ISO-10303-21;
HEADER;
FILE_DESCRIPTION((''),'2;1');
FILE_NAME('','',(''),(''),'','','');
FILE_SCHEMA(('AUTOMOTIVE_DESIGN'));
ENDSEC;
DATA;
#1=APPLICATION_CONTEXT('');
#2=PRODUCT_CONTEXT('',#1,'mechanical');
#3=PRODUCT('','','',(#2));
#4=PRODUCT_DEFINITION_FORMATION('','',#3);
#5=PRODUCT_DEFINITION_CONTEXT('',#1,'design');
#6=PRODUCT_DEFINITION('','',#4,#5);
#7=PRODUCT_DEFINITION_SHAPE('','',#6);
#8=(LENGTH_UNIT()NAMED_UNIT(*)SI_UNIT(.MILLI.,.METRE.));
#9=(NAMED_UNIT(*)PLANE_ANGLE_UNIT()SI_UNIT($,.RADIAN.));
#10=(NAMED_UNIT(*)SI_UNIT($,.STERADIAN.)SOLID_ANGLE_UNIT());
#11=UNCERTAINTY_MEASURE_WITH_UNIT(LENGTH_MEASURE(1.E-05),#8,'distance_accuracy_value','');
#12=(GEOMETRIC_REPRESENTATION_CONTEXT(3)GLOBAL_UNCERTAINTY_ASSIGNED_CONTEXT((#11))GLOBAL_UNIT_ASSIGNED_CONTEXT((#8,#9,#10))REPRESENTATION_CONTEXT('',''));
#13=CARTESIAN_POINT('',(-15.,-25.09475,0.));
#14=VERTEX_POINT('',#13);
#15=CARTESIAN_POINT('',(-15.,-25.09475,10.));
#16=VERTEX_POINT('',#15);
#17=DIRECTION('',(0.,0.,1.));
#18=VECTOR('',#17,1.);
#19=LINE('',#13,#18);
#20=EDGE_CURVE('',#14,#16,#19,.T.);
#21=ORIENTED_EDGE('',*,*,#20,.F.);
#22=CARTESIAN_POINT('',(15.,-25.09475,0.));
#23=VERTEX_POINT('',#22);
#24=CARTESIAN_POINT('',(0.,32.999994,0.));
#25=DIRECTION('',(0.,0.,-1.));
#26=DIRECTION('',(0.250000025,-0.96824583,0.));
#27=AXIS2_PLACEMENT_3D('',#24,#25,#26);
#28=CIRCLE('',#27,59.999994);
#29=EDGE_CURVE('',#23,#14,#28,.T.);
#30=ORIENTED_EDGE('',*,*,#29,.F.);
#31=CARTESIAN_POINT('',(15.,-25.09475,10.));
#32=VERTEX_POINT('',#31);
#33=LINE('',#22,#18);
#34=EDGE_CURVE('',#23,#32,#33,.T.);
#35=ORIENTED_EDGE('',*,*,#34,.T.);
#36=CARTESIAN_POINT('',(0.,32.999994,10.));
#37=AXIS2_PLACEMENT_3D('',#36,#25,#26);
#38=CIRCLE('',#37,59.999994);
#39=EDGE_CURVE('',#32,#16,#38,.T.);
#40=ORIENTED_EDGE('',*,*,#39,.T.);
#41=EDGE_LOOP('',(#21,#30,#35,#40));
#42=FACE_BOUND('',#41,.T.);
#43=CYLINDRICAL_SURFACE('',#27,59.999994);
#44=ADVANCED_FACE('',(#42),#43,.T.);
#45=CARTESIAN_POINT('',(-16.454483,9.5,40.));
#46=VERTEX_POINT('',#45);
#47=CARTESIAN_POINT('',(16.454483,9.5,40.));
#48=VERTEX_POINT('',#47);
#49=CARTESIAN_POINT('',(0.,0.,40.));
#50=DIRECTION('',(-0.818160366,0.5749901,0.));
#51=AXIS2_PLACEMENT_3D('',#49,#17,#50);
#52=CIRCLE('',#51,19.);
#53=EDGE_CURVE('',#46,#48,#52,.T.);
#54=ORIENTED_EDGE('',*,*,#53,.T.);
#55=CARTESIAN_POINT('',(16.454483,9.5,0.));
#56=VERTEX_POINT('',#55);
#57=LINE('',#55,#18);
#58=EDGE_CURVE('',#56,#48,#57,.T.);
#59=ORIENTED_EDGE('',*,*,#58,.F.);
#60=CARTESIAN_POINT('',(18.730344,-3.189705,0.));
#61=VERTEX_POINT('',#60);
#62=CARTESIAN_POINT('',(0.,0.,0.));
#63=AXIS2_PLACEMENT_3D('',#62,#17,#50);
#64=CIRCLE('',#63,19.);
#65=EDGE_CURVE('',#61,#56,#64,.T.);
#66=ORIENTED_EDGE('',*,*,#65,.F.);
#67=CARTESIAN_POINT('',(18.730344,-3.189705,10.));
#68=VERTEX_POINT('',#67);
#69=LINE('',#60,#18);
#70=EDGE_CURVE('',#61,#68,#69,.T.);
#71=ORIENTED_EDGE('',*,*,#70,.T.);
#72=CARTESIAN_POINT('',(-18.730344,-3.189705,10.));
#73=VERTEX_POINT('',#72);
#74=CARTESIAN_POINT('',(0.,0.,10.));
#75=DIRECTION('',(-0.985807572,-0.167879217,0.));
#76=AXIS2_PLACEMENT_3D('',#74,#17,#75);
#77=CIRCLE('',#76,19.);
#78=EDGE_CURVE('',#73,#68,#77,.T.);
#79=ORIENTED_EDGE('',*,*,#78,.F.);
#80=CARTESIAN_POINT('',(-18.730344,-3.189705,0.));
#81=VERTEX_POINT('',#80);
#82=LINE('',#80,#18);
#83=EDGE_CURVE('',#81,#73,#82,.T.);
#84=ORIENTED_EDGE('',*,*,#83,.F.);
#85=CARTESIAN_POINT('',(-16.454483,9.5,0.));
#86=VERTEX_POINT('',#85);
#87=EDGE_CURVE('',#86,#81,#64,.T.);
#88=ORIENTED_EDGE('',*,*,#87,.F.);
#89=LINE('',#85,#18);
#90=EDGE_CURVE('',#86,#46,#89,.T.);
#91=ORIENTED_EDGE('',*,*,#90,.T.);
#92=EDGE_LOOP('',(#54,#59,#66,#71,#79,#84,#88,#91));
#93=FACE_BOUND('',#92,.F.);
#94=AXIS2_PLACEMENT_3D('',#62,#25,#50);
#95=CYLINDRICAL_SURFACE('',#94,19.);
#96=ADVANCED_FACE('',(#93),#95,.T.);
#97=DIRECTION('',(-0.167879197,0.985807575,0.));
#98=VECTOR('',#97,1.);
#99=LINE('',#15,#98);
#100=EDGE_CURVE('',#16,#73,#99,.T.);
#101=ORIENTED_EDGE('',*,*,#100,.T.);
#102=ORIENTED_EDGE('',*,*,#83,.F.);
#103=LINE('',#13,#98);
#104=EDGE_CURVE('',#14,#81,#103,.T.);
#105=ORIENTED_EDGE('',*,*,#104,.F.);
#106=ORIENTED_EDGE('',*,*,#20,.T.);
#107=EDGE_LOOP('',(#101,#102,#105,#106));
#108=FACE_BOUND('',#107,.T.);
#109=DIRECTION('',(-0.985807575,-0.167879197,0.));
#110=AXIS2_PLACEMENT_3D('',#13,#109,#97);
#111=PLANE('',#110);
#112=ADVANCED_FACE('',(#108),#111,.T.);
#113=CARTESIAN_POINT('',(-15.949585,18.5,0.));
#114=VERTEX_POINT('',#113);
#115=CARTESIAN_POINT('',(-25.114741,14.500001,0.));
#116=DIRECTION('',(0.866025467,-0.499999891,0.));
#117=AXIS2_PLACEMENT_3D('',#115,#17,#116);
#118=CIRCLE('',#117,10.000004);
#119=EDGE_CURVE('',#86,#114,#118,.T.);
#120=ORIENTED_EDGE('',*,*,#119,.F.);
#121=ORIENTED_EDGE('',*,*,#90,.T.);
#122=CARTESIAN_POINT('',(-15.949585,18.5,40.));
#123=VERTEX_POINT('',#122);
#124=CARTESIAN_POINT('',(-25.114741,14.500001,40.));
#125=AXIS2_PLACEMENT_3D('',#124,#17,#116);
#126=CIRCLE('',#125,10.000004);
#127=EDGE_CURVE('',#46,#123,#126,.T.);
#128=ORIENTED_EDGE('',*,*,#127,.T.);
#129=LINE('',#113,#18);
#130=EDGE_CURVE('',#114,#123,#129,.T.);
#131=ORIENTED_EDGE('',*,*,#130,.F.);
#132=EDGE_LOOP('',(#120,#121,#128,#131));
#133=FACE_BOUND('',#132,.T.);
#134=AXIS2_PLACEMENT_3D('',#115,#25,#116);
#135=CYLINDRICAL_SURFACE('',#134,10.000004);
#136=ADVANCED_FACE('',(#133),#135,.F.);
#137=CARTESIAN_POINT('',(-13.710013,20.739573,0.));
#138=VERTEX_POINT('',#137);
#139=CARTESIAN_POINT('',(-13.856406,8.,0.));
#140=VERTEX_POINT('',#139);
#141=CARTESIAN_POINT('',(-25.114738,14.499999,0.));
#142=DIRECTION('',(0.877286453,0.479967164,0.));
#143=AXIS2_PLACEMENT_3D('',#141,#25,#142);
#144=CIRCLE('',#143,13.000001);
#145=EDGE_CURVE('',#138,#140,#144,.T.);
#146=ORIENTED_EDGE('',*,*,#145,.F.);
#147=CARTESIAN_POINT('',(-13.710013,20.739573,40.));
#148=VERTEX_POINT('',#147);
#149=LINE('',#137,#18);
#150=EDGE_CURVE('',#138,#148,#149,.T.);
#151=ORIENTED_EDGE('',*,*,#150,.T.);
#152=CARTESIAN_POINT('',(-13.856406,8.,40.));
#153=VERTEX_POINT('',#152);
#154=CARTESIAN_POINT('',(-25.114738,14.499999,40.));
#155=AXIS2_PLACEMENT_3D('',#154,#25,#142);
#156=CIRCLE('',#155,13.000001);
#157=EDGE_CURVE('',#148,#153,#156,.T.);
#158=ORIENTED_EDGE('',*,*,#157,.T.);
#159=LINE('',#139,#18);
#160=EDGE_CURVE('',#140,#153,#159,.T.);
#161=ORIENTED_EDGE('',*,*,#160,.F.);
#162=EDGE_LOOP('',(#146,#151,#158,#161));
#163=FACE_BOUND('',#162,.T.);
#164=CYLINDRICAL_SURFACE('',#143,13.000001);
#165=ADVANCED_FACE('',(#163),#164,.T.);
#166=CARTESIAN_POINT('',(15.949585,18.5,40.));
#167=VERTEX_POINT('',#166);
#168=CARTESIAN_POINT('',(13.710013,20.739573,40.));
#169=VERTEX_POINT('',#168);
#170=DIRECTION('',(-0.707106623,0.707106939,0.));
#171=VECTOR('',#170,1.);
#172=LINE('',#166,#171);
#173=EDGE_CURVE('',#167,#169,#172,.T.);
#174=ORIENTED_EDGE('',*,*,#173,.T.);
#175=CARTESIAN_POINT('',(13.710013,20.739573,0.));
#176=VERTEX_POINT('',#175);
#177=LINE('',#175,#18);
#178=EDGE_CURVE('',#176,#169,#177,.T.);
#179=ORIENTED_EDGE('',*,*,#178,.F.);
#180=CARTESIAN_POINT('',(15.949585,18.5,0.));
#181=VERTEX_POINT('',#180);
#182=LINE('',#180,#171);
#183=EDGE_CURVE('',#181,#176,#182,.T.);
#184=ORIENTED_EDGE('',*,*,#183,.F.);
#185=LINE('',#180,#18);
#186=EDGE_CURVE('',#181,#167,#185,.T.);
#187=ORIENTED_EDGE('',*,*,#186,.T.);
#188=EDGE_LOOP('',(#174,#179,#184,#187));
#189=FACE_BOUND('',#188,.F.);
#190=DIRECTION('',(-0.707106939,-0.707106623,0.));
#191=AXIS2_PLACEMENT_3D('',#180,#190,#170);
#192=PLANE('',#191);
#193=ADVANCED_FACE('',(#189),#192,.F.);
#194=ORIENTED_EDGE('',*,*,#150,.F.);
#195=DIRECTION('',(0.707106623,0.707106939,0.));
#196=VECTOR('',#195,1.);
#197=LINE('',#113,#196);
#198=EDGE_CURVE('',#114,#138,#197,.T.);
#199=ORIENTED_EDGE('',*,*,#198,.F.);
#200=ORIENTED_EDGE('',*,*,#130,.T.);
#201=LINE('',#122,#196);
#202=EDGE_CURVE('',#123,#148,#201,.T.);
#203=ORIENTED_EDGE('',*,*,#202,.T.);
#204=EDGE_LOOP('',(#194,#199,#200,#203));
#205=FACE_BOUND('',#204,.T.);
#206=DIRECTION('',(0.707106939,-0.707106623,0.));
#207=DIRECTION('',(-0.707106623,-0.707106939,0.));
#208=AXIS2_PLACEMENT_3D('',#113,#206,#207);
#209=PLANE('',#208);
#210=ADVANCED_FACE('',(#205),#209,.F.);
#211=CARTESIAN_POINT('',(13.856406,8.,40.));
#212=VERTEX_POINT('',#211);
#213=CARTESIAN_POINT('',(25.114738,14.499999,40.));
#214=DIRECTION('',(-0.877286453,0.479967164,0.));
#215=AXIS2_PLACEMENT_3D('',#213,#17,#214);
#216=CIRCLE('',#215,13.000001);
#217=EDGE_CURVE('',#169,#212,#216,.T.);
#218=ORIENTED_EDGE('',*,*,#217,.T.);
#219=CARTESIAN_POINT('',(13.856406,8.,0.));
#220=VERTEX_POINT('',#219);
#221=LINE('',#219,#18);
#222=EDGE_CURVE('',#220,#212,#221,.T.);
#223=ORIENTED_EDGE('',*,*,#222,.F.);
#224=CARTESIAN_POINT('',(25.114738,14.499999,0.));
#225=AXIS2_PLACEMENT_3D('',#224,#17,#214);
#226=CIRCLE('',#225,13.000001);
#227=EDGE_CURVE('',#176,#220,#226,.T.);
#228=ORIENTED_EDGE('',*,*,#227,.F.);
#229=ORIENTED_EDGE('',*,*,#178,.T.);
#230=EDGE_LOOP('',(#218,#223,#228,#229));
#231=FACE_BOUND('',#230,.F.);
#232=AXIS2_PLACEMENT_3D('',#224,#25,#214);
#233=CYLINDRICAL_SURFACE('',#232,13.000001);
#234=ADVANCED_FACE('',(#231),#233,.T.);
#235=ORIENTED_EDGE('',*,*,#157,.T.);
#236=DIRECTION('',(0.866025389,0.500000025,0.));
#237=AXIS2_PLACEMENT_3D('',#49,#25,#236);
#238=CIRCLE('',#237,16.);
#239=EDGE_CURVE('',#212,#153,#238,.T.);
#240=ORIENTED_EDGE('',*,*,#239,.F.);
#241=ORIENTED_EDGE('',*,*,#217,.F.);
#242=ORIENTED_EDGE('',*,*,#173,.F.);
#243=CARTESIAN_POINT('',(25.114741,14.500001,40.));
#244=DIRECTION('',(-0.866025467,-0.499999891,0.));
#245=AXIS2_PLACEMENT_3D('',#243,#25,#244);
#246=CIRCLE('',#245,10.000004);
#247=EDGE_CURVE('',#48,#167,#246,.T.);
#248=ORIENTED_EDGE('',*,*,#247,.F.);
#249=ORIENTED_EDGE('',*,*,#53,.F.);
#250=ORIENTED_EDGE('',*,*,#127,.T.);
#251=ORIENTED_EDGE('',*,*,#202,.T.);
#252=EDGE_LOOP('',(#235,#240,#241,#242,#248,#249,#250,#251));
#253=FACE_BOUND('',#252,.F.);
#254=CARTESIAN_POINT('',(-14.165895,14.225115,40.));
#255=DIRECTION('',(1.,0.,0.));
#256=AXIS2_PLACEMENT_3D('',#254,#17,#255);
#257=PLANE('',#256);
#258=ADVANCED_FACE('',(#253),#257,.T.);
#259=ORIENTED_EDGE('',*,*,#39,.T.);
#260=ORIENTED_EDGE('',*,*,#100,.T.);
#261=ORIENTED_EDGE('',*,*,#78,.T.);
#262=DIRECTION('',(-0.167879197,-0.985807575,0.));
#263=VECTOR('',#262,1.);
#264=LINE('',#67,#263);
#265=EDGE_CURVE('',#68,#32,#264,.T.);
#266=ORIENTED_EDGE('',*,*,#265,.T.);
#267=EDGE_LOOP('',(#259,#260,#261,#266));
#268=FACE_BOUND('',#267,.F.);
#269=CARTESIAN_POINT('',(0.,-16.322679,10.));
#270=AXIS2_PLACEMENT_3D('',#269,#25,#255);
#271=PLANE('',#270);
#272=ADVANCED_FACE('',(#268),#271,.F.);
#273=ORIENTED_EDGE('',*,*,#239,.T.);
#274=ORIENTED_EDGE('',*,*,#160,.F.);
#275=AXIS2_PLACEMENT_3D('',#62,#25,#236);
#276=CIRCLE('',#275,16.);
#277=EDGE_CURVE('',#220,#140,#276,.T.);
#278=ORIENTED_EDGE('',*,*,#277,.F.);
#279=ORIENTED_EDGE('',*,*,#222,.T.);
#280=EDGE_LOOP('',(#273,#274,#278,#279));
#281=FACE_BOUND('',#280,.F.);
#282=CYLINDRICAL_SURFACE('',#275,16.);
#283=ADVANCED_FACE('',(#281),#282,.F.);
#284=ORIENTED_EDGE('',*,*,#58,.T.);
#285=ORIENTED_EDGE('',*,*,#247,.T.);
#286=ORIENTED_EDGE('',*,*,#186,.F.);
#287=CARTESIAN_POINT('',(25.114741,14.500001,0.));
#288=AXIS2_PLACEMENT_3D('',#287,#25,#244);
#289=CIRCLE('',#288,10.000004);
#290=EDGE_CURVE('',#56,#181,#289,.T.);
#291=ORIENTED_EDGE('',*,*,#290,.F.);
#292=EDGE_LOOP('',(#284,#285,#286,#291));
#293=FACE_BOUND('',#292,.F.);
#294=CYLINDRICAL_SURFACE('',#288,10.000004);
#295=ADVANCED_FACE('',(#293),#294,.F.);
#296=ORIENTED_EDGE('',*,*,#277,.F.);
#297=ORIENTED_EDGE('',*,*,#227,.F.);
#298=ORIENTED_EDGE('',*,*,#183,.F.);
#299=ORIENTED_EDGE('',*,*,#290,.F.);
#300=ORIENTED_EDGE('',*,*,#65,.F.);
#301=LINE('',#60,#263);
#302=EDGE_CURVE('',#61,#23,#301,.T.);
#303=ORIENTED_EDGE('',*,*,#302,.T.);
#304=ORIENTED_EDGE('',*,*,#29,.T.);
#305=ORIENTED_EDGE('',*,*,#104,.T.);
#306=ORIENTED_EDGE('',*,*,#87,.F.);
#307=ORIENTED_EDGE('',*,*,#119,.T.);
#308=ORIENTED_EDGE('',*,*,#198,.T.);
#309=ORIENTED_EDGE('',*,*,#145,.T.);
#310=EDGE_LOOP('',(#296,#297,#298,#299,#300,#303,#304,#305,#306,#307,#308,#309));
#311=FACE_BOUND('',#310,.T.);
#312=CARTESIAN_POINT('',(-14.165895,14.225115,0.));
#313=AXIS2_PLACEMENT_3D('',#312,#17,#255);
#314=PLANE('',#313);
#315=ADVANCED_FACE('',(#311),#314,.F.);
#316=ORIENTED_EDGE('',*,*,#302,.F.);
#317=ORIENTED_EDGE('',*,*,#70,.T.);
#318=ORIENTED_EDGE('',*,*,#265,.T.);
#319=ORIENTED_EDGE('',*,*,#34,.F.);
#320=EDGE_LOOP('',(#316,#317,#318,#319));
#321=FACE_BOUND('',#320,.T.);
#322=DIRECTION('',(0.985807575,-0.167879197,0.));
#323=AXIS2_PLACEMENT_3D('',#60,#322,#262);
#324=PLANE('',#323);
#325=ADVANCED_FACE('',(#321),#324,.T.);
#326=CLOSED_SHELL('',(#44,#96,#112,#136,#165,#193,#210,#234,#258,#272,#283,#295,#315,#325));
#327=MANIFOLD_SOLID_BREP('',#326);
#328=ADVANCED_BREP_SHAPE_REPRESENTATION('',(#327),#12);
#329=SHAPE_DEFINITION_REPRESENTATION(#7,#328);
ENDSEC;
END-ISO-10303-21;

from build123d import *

# Parameters (mm, degrees)
F1_DEPTH = 40
F3_DEPTH = 40
F6_DEPTH = 10


with BuildPart() as f1:
    # F0 (on Top) → F1 (new body)
    with BuildSketch(Plane.XY):
        with BuildLine():
            ThreePointArc((13.856406, 8), (0, -16), (-13.856406, 8))
            Line((-13.856406, 8), (-15.545047, 10.924812))
            ThreePointArc((-15.545047, 10.924812), (0, -19), (15.545047, 10.924812))
            Line((15.545047, 10.924812), (13.856406, 8))
        make_face()
    extrude(amount=F1_DEPTH)

    # F2 (on Top) → F3 (join, through all)
    with BuildSketch(Plane.XY):
        with BuildLine():
            Line((15.949585, 18.5), (13.710013, 20.739573))
            ThreePointArc((13.710013, 20.739573), (12.115595, 14.350623), (13.856406, 8))
            Line((13.856406, 8), (16.454483, 9.5))
            ThreePointArc((16.454483, 9.5), (15.130436, 13.939884), (15.949585, 18.5))
        make_face()
    extrude(amount=F3_DEPTH)

    # F4: F1 across plane


with BuildPart() as f1_1:
    add(f1.part)
    add(f1.part.mirror(Plane.YZ))

    # F5 (on face) → F6 (join)
    with BuildSketch(Plane(origin=(0, 0, 0), x_dir=(1, 0, 0), z_dir=(0, 0, -1))):
        with BuildLine():
            ThreePointArc((-18.730344, 3.189705), (0, 19), (18.730344, 3.189705))
            Line((18.730344, 3.189705), (15, 25.09475))
            ThreePointArc((15, 25.09475), (0, 27), (-15, 25.09475))
            Line((-15, 25.09475), (-18.730344, 3.189705))
        make_face()
    extrude(amount=-F6_DEPTH)


solid = f1_1.part
